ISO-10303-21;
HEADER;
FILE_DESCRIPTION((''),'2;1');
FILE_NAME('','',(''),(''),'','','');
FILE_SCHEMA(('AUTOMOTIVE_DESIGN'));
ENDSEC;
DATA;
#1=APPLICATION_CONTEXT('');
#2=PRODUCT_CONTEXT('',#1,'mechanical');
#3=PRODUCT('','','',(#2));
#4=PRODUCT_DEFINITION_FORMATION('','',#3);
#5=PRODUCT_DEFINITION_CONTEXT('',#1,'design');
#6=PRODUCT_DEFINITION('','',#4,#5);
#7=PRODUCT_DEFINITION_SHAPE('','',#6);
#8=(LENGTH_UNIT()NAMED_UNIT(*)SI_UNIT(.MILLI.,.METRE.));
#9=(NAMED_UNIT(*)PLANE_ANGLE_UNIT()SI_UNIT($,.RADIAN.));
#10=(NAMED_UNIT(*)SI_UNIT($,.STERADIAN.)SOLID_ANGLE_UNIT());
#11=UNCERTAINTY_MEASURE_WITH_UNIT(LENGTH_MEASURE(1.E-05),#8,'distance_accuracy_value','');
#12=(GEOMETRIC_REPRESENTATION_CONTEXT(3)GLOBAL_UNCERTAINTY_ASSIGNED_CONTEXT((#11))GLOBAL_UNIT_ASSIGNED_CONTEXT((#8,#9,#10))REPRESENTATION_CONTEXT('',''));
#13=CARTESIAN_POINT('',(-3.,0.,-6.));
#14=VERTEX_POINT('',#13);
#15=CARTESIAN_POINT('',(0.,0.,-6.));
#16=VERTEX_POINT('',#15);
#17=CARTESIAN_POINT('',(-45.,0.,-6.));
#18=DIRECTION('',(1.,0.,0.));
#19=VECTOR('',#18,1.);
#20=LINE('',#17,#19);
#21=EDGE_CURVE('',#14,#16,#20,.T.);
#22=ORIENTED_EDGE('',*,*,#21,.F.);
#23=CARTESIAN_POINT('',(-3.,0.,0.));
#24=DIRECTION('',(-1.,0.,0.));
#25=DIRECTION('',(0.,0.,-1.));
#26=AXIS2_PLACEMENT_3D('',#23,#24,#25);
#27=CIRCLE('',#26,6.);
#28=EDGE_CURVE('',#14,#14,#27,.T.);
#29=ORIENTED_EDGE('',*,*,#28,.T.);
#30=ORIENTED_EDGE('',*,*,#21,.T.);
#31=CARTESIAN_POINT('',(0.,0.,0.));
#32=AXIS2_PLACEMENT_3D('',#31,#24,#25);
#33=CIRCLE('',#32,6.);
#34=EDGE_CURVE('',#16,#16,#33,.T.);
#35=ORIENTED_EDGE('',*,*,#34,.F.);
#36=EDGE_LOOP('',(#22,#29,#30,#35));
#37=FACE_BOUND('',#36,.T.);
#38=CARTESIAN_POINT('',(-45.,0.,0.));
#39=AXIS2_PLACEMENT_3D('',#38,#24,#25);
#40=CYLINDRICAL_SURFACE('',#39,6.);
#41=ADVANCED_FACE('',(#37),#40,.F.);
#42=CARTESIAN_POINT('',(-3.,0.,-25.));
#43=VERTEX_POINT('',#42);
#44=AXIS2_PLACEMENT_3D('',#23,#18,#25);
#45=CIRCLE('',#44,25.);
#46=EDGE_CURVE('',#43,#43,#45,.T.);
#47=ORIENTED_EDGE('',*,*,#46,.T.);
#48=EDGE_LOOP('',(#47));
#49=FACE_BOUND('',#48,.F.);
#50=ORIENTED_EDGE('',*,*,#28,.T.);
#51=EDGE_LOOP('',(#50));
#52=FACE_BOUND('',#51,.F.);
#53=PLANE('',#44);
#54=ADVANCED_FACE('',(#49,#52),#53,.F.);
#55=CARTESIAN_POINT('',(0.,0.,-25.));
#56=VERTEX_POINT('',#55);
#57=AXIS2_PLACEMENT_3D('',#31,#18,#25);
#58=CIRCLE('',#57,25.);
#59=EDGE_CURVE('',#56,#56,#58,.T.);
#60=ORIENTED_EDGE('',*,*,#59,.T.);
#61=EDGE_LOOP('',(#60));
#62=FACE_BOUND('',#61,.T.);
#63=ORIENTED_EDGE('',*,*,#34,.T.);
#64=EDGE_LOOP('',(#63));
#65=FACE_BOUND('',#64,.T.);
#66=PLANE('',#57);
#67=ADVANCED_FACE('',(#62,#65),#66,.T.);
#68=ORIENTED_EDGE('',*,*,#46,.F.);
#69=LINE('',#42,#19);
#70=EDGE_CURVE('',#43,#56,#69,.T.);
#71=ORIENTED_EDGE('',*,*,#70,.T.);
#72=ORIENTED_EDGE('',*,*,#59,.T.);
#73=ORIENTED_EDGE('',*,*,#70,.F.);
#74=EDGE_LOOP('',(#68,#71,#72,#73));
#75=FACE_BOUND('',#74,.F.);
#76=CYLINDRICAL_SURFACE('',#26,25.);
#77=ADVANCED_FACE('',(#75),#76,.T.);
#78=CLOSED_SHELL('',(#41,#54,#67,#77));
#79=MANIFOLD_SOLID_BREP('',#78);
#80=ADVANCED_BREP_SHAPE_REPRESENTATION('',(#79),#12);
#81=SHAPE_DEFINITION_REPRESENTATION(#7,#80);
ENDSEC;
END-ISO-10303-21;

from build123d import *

# Parameters (mm, degrees)
CYLINDER007_R           = 6
CYLINDER007_DEPTH       = 236
CYLINDER007_PITCH_ANGLE = 90
CYLINDER001_R           = 25
CYLINDER001_DEPTH       = 3
CYLINDER001_PITCH_ANGLE = 90


with BuildPart() as connector_bore:
    # Cylinder007 → Cylinder007 (new body)
    with BuildSketch(Plane.XY):
        Circle(CYLINDER007_R)
    extrude(amount=CYLINDER007_DEPTH)


with BuildPart() as connector_bore_1:
    # Cylinder007 pitch: moved
    add(connector_bore.part.rotate(Axis((0, 0, 0), (0, 1, 0)), CYLINDER007_PITCH_ANGLE))


with BuildPart() as connector_bore_2:
    # Cylinder007 placement: moved
    add(connector_bore_1.part.moved(Location((-45, 0, 0))))


with BuildPart() as cut004:
    # Cylinder001 → Cylinder001 (new body)
    with BuildSketch(Plane.XY):
        Circle(CYLINDER001_R)
    extrude(amount=CYLINDER001_DEPTH)


with BuildPart() as cut004_1:
    # Cylinder001 pitch: moved
    add(cut004.part.rotate(Axis((0, 0, 0), (0, 1, 0)), CYLINDER001_PITCH_ANGLE))


with BuildPart() as cut004_2:
    # Cylinder001 placement: moved
    add(cut004_1.part.moved(Location((-3, 0, 0))))

    # Cut004: cut connector_bore
    add(connector_bore_2.part, mode=Mode.SUBTRACT)


solid = cut004_2.part
